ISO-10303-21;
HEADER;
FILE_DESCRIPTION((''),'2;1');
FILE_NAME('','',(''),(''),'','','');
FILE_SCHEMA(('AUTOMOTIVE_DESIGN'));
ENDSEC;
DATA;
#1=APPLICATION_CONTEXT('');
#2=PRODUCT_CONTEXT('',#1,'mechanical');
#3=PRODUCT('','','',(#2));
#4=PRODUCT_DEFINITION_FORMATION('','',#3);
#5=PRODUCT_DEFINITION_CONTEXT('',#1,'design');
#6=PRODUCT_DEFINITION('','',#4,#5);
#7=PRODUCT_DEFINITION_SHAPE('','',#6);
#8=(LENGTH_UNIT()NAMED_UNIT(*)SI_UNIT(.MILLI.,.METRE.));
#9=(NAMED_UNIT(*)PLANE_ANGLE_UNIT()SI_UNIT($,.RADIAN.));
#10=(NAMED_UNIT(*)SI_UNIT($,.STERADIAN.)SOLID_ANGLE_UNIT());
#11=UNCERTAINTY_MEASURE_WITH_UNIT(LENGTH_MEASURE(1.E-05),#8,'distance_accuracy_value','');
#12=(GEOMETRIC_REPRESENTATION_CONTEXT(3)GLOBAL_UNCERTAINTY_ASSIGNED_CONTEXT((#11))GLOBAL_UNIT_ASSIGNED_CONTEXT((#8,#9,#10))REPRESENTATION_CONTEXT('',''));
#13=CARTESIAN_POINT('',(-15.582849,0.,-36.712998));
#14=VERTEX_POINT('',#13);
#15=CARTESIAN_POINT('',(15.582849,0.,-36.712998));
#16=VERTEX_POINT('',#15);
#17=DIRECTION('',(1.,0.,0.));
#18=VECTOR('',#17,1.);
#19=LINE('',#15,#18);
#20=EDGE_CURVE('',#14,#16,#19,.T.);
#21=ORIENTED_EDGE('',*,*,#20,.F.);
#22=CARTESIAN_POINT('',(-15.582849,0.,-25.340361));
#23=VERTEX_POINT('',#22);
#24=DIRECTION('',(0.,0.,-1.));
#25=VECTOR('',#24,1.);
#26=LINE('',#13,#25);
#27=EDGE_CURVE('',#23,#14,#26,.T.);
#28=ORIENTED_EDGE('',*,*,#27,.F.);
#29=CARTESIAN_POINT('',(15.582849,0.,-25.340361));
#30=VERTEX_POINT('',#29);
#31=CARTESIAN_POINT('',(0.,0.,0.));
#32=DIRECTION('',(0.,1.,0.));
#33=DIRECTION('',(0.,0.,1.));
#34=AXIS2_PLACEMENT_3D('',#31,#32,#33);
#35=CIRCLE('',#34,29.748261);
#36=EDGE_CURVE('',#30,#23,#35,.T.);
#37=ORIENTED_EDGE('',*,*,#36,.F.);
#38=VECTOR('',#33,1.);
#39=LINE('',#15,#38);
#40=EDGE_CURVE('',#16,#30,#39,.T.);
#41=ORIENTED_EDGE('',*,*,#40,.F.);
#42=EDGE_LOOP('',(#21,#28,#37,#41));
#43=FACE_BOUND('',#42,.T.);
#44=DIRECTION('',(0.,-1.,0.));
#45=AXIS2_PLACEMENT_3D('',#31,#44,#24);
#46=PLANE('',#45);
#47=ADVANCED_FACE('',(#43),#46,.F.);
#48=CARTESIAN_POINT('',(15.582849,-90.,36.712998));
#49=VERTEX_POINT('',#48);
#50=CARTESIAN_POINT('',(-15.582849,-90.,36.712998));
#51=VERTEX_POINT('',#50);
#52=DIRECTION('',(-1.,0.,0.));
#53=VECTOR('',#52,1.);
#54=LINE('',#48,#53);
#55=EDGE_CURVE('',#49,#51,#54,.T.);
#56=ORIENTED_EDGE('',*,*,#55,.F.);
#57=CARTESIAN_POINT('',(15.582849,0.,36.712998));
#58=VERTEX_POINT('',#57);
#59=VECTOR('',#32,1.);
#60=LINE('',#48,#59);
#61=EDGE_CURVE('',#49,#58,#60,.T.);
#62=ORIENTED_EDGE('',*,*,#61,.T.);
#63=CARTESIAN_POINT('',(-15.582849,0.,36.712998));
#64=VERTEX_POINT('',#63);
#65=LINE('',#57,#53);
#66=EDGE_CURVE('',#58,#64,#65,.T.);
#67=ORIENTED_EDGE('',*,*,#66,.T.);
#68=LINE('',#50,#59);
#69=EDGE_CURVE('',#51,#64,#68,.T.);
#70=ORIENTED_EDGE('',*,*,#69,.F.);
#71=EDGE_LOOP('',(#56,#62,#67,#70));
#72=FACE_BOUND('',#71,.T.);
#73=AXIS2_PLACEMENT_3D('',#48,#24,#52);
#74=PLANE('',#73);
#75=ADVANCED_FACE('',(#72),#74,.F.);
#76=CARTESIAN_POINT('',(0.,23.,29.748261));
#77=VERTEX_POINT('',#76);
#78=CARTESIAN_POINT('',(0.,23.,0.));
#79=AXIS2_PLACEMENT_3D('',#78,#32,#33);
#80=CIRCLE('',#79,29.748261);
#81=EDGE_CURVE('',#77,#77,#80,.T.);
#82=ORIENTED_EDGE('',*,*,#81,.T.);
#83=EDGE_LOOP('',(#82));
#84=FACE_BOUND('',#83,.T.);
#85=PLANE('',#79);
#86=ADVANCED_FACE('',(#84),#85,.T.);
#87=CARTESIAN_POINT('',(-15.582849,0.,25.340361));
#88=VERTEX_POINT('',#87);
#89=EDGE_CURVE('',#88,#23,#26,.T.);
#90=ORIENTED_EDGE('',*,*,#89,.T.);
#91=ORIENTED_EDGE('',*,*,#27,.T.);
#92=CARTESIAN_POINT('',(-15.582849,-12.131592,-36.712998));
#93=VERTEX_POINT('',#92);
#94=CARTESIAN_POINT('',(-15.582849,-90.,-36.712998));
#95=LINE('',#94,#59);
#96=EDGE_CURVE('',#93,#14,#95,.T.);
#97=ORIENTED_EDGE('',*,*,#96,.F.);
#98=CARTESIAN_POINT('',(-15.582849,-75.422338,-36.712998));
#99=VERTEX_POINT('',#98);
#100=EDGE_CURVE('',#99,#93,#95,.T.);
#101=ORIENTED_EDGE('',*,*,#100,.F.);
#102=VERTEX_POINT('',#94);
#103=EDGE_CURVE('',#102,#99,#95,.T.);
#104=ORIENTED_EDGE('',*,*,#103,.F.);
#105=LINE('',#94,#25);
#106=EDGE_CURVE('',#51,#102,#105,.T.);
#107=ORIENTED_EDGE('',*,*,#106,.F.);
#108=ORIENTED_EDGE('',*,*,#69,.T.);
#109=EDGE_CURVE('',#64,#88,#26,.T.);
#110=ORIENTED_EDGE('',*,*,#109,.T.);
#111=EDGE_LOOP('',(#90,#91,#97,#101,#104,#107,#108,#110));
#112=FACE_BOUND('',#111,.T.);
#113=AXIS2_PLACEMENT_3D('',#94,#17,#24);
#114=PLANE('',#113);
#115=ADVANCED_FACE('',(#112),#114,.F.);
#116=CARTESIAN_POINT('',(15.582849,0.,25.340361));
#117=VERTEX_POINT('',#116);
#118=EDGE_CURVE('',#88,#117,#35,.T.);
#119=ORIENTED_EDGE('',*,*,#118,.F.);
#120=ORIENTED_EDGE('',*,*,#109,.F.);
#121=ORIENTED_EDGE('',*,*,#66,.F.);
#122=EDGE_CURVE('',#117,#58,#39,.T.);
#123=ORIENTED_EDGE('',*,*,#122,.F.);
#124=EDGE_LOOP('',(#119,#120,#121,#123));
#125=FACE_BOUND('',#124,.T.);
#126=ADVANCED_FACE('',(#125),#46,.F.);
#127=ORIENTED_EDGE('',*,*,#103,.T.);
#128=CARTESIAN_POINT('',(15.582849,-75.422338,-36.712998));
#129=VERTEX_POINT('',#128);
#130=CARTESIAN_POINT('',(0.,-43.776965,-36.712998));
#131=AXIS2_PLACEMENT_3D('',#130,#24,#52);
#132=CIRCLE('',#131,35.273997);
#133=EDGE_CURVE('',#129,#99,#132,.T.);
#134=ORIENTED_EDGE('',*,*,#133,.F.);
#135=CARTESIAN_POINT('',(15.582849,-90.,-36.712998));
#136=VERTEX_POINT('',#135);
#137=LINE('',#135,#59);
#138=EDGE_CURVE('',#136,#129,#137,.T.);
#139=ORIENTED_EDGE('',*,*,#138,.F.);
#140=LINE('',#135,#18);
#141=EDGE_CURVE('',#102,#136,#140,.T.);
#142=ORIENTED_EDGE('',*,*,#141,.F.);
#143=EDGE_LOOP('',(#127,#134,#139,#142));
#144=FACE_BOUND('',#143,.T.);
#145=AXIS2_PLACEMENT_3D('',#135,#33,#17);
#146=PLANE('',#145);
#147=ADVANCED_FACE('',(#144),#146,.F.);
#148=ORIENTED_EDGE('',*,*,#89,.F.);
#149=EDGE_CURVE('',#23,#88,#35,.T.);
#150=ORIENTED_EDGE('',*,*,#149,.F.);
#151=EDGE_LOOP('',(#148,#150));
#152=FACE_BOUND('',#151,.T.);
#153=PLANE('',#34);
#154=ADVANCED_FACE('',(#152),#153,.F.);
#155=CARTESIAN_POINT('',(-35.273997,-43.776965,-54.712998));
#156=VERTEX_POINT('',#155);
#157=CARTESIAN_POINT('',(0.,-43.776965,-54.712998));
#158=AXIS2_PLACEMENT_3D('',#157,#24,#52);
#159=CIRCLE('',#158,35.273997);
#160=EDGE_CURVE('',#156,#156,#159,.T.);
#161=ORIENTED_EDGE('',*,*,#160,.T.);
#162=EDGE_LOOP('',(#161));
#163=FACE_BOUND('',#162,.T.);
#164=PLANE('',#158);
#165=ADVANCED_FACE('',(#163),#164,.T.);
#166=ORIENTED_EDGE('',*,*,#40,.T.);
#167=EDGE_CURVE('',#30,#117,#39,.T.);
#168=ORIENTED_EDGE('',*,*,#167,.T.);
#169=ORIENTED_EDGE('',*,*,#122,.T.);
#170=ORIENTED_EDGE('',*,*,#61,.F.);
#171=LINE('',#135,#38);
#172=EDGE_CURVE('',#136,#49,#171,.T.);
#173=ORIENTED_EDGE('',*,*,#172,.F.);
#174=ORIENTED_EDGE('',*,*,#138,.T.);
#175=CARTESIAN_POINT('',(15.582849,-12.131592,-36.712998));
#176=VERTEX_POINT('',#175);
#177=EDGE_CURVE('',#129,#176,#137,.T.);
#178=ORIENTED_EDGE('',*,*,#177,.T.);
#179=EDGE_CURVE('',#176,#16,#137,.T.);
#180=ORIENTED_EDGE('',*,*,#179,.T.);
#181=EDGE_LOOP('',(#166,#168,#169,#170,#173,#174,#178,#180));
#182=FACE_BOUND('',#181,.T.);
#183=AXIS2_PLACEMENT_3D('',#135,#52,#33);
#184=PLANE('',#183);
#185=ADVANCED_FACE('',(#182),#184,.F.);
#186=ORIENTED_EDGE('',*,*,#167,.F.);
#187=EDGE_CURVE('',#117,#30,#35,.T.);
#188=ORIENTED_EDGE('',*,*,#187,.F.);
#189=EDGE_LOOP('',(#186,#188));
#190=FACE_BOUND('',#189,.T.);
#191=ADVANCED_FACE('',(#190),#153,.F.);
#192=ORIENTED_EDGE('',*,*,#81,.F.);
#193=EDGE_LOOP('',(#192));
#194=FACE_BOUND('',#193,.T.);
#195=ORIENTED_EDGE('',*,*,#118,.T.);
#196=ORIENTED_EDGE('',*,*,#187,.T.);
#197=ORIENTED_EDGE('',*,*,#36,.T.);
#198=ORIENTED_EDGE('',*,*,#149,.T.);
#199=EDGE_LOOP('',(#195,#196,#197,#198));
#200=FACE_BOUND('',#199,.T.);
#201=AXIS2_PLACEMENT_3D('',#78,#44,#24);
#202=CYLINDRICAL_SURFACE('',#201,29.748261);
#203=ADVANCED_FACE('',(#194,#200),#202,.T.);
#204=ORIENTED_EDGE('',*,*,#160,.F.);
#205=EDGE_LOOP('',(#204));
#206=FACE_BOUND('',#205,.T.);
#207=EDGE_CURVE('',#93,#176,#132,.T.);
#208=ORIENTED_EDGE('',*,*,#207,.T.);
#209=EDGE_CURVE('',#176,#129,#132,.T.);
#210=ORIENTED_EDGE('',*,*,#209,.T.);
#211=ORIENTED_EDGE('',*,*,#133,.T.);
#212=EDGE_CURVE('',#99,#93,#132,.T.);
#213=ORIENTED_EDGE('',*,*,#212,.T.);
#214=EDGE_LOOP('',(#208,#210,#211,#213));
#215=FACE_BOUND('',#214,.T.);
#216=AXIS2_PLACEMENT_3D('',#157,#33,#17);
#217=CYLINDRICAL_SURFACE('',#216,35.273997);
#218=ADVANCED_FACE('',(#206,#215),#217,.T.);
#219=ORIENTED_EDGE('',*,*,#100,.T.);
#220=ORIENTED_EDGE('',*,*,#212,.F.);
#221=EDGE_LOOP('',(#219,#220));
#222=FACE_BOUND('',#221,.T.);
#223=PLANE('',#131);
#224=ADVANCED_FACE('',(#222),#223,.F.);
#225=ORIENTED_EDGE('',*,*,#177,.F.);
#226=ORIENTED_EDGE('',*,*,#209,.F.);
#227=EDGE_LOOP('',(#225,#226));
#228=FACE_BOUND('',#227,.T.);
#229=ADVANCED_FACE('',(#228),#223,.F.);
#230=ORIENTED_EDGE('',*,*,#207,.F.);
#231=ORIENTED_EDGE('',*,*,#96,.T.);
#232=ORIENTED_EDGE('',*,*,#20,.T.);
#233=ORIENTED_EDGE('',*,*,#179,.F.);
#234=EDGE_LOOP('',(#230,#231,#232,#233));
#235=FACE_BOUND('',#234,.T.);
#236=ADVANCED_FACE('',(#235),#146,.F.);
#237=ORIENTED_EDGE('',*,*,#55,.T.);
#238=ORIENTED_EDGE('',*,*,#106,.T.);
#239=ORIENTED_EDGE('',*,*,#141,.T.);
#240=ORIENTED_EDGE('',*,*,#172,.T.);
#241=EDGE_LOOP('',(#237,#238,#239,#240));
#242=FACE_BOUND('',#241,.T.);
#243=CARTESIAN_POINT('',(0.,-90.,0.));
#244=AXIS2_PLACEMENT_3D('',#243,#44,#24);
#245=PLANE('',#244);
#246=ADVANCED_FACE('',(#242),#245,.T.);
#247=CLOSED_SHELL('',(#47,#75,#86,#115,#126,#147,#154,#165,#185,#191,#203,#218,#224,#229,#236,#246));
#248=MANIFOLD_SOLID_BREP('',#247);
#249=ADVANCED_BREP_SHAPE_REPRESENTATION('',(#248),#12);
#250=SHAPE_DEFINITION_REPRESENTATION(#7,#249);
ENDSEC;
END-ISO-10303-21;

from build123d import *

# Parameters (mm, degrees)
SKETCH_1_R      = 29.748261452
EXTRUDE_1_DEPTH = 23
SKETCH_5_W      = 31.165698276
SKETCH_5_H      = 73.42599541
EXTRUDE_4_DEPTH = 90
SKETCH_6_R      = 35.273996594
EXTRUDE_5_DEPTH = 18


with BuildPart() as part:
    # 草图1 → 凸台-拉伸1 (new body)
    with BuildSketch(Plane(origin=(0, 0, 0), x_dir=(1, 0, 0), z_dir=(0, 1, 0))):
        with Locations(Location((0, 0, 0), (0, 0, 270))):
            Circle(SKETCH_1_R)
    extrude(amount=EXTRUDE_1_DEPTH)

    # 草图5 → 凸台-拉伸4 (add)
    with BuildSketch(Plane.XZ):
        Rectangle(SKETCH_5_W, SKETCH_5_H)
    extrude(amount=EXTRUDE_4_DEPTH)

    # 草图6 → 凸台-拉伸5 (add)
    with BuildSketch(Plane(origin=(0, 0, -36.712997705), x_dir=(-1, 0, 0), z_dir=(0, 0, -1))):
        with Locations(Location((0, -43.77696479, 0), (0, 0, 116.216607407))):
            Circle(SKETCH_6_R)
    extrude(amount=EXTRUDE_5_DEPTH)


solid = part.part
